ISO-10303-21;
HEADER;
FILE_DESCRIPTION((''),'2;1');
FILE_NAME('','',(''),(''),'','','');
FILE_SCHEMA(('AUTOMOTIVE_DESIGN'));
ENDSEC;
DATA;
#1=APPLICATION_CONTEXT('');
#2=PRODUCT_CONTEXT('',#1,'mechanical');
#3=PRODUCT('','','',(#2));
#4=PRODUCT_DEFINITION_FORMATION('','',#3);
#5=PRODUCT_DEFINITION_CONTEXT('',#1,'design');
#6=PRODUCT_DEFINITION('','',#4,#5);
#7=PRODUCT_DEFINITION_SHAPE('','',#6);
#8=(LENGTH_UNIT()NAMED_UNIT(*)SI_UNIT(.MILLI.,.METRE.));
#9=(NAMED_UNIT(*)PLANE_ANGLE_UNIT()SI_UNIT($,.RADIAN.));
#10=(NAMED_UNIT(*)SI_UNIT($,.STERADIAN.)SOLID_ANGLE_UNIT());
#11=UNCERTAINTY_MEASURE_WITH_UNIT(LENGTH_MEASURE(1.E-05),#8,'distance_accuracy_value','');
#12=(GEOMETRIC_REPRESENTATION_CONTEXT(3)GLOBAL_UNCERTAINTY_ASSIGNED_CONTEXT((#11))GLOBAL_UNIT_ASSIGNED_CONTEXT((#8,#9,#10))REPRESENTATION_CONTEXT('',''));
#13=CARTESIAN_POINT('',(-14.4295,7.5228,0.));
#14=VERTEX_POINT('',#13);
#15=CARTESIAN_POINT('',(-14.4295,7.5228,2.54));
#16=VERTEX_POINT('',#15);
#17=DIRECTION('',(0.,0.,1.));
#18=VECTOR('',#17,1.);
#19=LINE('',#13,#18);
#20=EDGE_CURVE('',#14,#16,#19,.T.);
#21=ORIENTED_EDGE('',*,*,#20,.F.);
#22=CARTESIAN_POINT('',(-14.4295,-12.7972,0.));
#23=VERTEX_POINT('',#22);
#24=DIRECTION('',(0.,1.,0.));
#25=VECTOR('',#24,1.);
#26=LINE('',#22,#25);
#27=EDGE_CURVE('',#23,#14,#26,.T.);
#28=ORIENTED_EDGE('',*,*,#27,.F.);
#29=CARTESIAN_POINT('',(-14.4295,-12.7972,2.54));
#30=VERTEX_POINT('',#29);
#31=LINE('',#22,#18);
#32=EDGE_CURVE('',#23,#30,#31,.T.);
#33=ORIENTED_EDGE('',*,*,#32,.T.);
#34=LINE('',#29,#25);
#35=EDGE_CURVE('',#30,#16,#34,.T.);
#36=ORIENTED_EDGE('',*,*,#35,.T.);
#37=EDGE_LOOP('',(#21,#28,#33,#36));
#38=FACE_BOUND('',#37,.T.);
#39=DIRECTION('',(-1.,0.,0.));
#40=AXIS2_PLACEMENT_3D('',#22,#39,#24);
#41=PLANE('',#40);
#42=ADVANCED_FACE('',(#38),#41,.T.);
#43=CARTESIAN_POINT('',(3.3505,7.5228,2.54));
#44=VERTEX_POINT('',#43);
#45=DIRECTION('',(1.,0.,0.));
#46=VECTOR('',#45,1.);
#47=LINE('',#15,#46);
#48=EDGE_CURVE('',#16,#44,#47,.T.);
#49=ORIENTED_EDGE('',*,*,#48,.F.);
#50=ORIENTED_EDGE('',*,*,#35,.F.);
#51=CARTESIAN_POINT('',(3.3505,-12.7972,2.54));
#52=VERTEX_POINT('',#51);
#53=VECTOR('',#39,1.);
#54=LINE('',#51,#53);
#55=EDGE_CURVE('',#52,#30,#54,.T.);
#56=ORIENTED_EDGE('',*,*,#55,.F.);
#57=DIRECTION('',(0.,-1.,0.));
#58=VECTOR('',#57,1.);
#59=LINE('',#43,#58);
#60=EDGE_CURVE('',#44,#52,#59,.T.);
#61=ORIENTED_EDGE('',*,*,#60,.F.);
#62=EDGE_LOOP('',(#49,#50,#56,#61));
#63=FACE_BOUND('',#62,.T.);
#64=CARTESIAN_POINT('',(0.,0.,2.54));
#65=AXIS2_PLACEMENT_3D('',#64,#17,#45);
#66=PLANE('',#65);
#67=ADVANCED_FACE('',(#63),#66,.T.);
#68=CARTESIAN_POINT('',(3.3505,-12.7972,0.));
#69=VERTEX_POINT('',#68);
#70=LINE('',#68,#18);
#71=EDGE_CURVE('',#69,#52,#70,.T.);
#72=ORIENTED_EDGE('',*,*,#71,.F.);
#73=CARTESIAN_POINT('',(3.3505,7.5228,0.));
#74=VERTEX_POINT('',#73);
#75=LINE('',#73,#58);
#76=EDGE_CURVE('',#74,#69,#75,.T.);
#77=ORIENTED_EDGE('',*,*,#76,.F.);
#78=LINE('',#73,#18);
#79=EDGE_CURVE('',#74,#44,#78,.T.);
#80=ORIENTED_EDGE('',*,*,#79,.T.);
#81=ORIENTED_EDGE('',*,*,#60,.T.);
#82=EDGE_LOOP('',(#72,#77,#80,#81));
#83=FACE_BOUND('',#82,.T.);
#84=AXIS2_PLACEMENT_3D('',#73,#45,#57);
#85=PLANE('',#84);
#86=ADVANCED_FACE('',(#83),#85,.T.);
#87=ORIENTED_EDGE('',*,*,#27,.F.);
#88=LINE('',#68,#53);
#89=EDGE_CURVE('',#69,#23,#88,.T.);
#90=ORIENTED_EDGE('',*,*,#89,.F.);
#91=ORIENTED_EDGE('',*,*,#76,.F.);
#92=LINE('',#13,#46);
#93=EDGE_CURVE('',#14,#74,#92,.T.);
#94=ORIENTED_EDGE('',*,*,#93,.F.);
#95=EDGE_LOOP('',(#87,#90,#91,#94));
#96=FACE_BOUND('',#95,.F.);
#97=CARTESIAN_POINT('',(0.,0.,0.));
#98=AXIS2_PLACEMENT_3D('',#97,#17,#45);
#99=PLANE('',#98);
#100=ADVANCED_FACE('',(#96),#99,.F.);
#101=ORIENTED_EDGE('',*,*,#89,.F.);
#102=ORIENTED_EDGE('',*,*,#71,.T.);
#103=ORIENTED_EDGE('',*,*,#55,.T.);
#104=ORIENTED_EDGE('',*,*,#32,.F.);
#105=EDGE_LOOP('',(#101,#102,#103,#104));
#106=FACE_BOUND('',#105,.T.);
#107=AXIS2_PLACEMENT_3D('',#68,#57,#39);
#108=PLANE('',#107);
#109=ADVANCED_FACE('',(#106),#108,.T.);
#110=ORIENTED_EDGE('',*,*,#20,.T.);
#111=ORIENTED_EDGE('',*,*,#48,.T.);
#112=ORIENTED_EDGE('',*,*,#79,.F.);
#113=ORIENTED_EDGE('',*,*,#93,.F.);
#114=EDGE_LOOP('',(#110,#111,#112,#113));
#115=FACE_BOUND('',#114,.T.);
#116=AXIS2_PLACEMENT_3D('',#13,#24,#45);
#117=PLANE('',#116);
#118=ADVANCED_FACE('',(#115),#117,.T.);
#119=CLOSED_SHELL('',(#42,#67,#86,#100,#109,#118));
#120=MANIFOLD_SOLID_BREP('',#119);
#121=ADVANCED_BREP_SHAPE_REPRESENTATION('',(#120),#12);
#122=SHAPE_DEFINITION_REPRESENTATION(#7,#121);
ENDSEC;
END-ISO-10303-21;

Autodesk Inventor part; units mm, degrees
ref_plane "YZ Plane" through (0, 0, 0) normal (1, 0, 0) x (0, 1, 0)
ref_plane "XZ Plane" through (0, 0, 0) normal (0, 1, 0) x (-1, 0, 0)
ref_plane "XY Plane" through (0, 0, 0) normal (0, 0, 1) x (1, 0, 0)
sketch "Sketch1" plane through (0, 0, 0) normal (0, 0, 1) x (1, 0, 0)
  line L0 (-14.4295, 7.5228) -> (3.3505, 7.5228)
  line L1 (3.3505, 7.5228) -> (3.3505, -12.7972)
  line L2 (3.3505, -12.7972) -> (-14.4295, -12.7972)
  line L3 (-14.4295, -12.7972) -> (-14.4295, 7.5228)
  point P0 (0, 0)
  dimension "d0" = 17.78
  dimension "d1" = 20.32
extrude "Extrusion1" add sketch "Sketch1" along normal blind 2.54
properties part number "ToF Sensor3"
